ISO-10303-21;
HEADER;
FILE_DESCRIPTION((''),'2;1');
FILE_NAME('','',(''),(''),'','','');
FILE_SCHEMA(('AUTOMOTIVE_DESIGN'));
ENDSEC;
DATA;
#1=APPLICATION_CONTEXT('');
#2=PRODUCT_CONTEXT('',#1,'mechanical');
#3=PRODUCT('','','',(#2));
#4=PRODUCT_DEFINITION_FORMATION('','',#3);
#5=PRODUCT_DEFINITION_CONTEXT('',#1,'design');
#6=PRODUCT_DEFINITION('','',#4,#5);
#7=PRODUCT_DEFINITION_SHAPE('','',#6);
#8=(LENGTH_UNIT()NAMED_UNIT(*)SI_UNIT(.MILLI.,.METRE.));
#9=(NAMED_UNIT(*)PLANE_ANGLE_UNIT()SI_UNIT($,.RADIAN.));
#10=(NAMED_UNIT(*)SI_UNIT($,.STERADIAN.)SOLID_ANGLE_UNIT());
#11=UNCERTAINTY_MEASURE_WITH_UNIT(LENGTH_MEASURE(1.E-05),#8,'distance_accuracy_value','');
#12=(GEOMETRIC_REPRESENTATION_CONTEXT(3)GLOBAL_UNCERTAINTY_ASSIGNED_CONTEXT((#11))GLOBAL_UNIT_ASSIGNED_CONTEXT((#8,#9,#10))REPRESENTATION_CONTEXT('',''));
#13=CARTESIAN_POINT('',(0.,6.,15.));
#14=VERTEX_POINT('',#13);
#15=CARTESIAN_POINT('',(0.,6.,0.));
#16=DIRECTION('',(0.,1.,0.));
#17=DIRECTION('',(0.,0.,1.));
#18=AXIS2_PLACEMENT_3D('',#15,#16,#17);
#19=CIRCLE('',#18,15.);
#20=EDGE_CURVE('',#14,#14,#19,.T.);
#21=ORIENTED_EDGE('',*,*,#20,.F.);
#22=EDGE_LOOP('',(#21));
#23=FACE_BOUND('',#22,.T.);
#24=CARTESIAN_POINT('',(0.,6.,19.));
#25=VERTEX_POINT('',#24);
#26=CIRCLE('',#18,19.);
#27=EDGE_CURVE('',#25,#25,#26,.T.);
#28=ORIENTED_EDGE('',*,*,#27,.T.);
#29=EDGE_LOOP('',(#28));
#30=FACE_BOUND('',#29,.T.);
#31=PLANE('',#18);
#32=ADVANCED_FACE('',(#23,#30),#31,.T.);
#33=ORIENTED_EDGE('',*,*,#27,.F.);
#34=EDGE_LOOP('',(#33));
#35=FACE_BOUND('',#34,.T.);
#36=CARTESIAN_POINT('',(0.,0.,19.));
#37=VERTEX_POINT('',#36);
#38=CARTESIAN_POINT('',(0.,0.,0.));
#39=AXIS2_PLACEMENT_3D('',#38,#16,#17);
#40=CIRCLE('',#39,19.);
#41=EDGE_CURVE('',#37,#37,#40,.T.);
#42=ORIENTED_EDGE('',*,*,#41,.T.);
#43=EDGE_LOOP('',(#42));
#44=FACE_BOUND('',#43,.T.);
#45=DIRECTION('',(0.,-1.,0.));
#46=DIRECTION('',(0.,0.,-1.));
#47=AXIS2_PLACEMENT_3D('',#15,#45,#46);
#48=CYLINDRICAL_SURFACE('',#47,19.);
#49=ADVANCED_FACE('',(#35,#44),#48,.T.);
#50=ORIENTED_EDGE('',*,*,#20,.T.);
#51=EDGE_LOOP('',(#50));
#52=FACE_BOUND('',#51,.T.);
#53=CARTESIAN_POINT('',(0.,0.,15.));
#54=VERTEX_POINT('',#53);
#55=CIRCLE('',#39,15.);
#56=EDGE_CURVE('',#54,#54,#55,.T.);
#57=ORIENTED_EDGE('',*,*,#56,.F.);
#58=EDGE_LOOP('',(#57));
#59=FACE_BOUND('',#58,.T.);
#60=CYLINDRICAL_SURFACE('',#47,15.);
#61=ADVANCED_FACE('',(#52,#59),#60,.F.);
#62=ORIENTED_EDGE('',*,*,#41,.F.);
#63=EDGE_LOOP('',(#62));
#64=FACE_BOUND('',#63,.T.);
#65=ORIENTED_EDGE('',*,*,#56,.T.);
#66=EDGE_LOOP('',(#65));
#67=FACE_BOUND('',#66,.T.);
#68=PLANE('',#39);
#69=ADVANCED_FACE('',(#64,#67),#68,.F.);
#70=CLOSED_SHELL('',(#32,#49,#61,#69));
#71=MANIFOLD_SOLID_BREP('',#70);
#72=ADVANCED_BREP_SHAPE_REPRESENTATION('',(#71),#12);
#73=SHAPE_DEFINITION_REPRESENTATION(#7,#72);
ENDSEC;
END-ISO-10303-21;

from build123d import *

# Parameters (mm, degrees)
ESQUISSE1_R        = 19
ESQUISSE1_R_2      = 15
BOSS_EXTRU_1_DEPTH = 6


with BuildPart() as part:
    # Esquisse1 → Boss.-Extru.1 (new body)
    with BuildSketch(Plane(origin=(0, 0, 0), x_dir=(1, 0, 0), z_dir=(0, 1, 0))):
        with Locations(Location((0, 0, 0), (0, 0, 270))):  # turned: the seam where the file's is
            Circle(ESQUISSE1_R)
        with Locations(Location((0, 0, 0), (0, 0, 270))):  # turned: the seam where the file's is
            Circle(ESQUISSE1_R_2, mode=Mode.SUBTRACT)
    extrude(amount=BOSS_EXTRU_1_DEPTH)


solid = part.part
